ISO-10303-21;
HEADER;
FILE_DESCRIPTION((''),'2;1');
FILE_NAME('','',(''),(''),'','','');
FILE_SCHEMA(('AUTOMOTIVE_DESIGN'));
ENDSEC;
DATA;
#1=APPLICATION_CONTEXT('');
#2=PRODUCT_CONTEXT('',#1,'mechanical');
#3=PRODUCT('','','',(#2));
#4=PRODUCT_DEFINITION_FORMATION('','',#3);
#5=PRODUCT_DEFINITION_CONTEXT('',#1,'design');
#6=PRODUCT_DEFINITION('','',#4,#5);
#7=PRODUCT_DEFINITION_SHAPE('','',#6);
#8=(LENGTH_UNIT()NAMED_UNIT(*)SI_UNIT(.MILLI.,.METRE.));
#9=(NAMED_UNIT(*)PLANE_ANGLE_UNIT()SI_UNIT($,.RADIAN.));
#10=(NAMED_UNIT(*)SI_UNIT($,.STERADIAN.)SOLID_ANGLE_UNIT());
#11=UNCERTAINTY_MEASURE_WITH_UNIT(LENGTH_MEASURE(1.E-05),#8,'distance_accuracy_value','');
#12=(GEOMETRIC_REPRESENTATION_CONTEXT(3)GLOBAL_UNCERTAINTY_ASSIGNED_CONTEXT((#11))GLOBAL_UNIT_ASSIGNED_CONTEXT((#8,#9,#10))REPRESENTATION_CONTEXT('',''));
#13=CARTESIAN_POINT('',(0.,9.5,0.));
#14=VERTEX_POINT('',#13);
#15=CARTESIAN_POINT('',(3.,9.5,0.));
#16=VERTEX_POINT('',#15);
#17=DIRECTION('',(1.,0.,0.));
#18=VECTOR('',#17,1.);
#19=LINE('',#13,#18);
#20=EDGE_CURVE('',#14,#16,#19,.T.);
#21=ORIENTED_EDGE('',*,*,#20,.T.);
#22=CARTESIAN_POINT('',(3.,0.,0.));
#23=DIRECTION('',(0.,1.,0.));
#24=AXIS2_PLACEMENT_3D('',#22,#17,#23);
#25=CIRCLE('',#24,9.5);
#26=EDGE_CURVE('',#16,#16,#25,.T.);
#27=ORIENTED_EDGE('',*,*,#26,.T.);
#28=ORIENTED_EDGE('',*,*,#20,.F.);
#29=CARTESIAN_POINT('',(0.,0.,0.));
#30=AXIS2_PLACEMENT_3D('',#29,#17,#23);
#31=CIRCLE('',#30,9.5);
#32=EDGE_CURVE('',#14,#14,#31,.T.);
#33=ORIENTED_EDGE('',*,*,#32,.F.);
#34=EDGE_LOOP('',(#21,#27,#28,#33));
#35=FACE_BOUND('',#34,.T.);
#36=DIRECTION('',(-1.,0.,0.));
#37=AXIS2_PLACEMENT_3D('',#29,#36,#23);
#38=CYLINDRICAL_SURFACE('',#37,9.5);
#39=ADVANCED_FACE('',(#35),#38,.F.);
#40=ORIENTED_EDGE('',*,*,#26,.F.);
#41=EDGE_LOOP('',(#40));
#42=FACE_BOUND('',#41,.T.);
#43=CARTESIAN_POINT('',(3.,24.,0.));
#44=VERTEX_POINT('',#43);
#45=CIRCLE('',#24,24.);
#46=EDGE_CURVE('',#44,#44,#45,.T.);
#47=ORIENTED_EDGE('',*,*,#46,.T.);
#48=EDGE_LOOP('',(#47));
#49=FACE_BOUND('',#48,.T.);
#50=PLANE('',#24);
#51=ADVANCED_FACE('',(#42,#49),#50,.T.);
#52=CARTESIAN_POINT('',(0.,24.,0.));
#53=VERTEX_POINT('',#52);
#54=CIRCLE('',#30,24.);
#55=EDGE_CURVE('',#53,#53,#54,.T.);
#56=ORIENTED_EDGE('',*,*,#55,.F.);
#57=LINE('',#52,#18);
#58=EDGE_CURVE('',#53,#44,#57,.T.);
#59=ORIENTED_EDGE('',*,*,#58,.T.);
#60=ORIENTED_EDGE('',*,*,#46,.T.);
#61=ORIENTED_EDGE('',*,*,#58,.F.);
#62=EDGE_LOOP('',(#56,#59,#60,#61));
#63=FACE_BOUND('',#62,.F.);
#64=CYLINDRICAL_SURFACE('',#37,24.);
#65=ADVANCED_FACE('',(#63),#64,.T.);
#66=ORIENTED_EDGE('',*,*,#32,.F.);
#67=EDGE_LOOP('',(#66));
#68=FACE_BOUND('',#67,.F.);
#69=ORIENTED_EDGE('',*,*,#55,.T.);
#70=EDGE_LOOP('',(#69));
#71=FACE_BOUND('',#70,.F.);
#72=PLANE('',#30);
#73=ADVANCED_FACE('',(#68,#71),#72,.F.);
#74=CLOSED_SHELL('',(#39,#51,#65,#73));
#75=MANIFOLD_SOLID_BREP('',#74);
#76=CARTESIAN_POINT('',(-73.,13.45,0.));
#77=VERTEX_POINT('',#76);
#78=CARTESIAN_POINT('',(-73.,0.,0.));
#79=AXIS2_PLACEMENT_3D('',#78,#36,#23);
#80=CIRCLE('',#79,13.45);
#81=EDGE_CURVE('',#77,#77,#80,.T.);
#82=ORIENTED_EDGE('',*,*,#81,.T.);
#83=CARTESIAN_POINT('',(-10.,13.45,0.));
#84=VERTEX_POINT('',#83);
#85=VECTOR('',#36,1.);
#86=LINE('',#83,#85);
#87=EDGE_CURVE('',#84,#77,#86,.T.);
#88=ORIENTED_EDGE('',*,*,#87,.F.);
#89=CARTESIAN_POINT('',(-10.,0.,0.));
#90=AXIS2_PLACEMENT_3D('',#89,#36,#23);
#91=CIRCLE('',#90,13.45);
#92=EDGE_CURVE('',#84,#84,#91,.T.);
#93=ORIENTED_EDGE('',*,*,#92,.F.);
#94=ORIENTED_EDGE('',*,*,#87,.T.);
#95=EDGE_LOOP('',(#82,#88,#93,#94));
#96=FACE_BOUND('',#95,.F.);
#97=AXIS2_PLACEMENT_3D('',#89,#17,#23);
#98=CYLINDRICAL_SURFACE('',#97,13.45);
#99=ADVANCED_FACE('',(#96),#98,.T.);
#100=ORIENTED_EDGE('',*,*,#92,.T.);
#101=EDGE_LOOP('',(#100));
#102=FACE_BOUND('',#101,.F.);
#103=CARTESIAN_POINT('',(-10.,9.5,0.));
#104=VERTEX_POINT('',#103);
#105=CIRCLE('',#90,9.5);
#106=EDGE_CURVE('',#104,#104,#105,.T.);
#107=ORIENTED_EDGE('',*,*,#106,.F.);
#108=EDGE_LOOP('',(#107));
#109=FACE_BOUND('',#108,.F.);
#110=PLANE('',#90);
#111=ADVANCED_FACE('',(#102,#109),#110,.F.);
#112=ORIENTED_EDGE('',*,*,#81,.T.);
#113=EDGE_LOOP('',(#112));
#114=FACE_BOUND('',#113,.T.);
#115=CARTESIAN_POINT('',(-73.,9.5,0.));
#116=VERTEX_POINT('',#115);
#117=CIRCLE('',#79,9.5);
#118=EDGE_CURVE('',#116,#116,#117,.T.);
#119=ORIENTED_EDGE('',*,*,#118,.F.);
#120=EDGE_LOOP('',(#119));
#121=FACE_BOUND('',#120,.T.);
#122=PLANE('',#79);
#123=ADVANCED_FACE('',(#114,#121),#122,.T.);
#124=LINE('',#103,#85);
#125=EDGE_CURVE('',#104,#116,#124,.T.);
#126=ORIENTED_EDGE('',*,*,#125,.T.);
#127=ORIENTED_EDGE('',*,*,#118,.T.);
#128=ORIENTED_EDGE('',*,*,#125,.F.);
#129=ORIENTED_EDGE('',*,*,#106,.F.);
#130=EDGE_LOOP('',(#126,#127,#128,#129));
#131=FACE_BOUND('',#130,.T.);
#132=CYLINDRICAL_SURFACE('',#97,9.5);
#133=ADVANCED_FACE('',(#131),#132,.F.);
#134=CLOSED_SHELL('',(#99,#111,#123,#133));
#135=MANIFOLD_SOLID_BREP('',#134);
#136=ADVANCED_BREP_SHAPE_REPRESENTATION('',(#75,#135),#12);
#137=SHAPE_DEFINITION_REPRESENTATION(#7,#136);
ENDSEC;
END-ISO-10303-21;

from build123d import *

# Parameters (mm, degrees)
F0_R     = 24
F0_R_2   = 9.5
F1_DEPTH = 3
F3_R     = 13.45
F3_R_2   = 9.5
F4_DEPTH = 63


with BuildPart() as f1:
    # F0 (on Right) → F1 (new body)
    with BuildSketch(Plane.YZ):
        Circle(F0_R)
        Circle(F0_R_2, mode=Mode.SUBTRACT)
    extrude(amount=F1_DEPTH)


with BuildPart() as f4:
    # F3 (on offset) → F4 (new body)
    with BuildSketch(Plane(origin=(-10, 0, 0), x_dir=(0, 1, 0), z_dir=(-1, 0, 0))):
        Circle(F3_R)
        Circle(F3_R_2, mode=Mode.SUBTRACT)
    extrude(amount=F4_DEPTH)


solid = Compound([f1.part, f4.part])
